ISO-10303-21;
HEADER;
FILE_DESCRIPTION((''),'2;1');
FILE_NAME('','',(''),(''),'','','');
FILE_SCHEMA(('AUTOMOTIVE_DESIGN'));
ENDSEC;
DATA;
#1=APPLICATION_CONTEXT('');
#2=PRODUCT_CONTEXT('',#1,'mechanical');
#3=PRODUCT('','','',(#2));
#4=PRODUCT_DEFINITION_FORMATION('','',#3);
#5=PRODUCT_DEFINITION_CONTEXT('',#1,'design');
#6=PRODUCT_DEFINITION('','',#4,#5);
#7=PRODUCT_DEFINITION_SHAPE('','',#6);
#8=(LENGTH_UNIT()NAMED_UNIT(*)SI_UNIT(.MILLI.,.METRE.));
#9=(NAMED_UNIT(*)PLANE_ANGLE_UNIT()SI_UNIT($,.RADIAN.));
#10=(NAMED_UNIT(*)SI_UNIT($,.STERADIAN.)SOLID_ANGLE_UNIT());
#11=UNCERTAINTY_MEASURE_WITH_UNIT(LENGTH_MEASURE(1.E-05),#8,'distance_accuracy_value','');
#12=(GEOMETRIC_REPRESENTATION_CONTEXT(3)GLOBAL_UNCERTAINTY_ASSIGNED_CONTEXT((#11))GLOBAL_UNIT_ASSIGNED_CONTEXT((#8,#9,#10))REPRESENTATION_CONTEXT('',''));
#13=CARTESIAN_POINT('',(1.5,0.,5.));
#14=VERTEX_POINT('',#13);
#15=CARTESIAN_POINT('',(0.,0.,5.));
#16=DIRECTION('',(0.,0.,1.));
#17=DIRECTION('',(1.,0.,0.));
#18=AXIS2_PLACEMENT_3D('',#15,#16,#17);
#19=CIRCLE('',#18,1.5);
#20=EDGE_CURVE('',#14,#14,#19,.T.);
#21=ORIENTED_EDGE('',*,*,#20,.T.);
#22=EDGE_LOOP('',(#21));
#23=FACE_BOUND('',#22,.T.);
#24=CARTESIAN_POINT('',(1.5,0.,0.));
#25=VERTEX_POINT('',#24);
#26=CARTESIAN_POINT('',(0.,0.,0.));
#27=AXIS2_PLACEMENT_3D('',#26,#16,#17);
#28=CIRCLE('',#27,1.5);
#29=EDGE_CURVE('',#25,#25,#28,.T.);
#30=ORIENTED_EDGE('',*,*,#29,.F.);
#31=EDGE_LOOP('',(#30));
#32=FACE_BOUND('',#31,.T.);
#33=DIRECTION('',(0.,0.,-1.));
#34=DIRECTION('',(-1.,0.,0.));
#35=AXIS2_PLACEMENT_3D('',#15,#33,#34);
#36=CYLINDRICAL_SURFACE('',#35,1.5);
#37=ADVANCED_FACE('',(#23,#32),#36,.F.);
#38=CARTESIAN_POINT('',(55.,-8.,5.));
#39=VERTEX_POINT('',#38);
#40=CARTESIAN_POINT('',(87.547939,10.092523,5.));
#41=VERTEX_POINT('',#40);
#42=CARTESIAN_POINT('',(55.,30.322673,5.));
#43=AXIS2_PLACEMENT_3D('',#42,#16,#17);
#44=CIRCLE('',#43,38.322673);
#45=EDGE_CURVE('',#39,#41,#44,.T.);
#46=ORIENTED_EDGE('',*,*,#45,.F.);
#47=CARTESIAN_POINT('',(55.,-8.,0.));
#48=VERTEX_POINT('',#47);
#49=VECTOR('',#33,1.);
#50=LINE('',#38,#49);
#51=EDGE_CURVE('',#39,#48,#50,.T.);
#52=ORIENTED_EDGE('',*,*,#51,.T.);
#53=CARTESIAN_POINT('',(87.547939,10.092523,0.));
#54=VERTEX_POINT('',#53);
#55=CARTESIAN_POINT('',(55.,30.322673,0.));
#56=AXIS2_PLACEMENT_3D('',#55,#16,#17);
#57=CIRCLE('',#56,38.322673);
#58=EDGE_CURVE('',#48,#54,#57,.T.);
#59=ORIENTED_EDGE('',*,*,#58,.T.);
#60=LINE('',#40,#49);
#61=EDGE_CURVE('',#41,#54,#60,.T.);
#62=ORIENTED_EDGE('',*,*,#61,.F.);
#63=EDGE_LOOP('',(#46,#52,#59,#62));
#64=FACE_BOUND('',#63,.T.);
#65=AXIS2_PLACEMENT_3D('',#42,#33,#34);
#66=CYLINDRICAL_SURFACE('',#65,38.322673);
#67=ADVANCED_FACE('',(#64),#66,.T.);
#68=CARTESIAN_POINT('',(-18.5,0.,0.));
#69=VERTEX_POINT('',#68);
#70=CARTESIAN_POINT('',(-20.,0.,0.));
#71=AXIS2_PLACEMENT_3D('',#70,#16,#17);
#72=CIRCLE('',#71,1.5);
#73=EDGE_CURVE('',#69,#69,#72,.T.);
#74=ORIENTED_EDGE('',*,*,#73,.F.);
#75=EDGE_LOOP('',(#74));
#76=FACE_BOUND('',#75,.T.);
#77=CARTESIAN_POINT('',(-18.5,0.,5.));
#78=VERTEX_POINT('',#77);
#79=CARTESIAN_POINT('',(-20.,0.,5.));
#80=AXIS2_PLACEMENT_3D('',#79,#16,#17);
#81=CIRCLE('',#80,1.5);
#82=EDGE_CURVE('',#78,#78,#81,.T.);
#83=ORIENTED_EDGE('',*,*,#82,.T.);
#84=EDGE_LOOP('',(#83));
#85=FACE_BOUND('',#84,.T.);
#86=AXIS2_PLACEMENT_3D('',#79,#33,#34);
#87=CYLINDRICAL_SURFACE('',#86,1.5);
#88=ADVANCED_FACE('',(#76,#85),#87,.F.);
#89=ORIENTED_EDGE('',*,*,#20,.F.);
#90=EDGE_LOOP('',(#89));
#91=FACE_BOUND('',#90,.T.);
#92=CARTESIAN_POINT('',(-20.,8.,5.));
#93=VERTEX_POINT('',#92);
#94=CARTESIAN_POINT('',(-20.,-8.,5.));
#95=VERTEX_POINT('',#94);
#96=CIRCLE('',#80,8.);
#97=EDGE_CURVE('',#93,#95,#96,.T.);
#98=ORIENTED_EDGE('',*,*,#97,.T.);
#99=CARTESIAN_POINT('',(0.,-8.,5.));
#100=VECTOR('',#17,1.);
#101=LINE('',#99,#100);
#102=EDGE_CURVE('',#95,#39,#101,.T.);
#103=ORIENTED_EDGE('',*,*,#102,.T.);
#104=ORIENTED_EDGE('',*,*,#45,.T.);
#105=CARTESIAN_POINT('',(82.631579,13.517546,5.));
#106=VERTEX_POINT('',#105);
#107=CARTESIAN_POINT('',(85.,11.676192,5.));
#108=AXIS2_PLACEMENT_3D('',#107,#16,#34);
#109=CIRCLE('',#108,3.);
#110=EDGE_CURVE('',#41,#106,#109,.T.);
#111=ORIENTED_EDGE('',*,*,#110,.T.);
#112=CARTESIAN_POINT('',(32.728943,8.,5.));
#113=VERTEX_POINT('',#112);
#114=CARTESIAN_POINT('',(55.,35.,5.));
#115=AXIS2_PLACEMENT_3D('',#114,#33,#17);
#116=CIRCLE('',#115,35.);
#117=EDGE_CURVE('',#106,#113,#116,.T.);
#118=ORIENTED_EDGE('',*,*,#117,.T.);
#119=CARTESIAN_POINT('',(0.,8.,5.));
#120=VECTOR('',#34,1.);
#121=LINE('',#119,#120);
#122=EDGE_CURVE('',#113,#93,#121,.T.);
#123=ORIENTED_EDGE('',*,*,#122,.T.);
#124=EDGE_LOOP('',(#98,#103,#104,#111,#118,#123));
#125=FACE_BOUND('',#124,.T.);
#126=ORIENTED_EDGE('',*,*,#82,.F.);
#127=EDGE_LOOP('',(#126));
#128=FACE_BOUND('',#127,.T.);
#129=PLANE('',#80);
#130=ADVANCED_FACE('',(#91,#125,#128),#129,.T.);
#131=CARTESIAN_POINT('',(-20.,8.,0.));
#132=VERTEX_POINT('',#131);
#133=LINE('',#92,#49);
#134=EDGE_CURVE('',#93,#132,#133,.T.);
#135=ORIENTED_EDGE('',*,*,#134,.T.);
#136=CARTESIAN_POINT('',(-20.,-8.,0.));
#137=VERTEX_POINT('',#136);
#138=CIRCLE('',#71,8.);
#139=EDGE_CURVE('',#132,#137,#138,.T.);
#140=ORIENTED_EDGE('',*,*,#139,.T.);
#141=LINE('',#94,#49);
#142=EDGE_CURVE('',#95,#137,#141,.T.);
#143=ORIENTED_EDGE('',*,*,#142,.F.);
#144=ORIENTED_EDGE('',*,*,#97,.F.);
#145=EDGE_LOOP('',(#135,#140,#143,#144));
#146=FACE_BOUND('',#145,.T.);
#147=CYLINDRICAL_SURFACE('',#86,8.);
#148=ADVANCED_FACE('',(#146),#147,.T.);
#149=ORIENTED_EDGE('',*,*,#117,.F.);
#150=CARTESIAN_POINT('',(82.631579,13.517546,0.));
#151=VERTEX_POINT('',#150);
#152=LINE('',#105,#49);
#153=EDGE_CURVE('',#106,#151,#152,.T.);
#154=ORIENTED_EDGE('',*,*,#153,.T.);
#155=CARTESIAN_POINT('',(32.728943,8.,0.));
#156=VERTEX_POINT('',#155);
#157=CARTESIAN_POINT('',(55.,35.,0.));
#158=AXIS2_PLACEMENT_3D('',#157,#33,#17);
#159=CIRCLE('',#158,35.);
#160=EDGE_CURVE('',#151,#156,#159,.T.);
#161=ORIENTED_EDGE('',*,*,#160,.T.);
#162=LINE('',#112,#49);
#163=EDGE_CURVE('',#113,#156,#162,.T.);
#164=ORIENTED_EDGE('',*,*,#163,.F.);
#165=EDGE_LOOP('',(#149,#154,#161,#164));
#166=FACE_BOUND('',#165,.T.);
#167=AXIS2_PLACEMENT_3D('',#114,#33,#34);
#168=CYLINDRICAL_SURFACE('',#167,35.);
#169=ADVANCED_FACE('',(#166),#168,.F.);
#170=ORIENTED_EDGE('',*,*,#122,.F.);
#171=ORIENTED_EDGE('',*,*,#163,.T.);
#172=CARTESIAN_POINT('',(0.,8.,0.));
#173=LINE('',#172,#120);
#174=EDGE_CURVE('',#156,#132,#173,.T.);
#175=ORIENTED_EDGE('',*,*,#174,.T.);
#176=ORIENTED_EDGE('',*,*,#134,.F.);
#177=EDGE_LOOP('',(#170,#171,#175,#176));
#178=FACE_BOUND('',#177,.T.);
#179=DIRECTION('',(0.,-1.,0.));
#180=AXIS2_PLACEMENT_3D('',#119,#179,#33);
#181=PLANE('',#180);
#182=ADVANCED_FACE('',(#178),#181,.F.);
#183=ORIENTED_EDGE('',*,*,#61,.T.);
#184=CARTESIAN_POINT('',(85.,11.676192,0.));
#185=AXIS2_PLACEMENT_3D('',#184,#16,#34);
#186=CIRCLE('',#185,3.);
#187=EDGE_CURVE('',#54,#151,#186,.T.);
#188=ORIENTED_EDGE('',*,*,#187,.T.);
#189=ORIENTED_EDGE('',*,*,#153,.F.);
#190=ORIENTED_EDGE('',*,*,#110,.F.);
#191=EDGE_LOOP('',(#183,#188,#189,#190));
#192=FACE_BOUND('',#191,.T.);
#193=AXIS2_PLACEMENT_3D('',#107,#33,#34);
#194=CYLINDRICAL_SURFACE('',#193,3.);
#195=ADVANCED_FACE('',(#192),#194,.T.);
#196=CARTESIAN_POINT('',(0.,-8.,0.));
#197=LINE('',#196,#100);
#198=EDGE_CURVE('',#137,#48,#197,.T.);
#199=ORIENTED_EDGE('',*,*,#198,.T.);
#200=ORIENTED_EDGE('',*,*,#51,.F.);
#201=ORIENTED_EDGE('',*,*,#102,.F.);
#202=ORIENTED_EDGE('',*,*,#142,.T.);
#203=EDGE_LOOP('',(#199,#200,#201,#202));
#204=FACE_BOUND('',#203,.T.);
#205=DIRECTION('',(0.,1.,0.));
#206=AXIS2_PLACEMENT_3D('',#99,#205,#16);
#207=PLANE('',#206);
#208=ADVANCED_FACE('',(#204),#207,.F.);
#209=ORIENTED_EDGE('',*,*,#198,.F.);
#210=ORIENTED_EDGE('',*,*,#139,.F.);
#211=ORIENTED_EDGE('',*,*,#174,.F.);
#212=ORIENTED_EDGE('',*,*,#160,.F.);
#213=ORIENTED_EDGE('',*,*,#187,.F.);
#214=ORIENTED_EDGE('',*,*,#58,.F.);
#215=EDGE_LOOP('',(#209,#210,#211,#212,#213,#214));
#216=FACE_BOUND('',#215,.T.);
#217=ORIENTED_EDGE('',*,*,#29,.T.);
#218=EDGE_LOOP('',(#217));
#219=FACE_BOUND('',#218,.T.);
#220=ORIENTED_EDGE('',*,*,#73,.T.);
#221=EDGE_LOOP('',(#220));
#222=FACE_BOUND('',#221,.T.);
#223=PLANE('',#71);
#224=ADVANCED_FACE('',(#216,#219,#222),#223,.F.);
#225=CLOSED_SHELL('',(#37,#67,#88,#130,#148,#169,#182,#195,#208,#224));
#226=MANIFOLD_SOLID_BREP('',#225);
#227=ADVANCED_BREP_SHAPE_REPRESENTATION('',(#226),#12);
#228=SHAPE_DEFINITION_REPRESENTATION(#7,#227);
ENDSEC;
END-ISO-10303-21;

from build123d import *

# Parameters (mm, degrees)
ESQUISSE1_R        = 1.5
BOSS_EXTRU_1_DEPTH = 5


with BuildPart() as part:
    # Esquisse1 → Boss.-Extru.1 (new body)
    with BuildSketch(Plane.XY):
        with BuildLine():
            Line((0, 8), (20, 8))
            Line((20, 8), (32.728942549, 8))
            ThreePointArc((32.728942549, 8), (58.84637819, 0.211993808), (82.631578947, 13.517545651))
            ThreePointArc((82.631578947, 13.517545651), (86.714862069, 14.137746418), (87.547938522, 10.092522856))
            ThreePointArc((87.547938522, 10.092522856), (73.619262105, -3.172854276), (55, -8))
            Line((55, -8), (0, -8))
            Line((0, -8), (-20, -8))
            ThreePointArc((-20, -8), (-28, 0), (-20, 8))
            Line((-20, 8), (0, 8))
        make_face()
        Circle(ESQUISSE1_R, mode=Mode.SUBTRACT)
        with Locations((-20, 0)):
            Circle(ESQUISSE1_R, mode=Mode.SUBTRACT)
    extrude(amount=BOSS_EXTRU_1_DEPTH)


solid = part.part
